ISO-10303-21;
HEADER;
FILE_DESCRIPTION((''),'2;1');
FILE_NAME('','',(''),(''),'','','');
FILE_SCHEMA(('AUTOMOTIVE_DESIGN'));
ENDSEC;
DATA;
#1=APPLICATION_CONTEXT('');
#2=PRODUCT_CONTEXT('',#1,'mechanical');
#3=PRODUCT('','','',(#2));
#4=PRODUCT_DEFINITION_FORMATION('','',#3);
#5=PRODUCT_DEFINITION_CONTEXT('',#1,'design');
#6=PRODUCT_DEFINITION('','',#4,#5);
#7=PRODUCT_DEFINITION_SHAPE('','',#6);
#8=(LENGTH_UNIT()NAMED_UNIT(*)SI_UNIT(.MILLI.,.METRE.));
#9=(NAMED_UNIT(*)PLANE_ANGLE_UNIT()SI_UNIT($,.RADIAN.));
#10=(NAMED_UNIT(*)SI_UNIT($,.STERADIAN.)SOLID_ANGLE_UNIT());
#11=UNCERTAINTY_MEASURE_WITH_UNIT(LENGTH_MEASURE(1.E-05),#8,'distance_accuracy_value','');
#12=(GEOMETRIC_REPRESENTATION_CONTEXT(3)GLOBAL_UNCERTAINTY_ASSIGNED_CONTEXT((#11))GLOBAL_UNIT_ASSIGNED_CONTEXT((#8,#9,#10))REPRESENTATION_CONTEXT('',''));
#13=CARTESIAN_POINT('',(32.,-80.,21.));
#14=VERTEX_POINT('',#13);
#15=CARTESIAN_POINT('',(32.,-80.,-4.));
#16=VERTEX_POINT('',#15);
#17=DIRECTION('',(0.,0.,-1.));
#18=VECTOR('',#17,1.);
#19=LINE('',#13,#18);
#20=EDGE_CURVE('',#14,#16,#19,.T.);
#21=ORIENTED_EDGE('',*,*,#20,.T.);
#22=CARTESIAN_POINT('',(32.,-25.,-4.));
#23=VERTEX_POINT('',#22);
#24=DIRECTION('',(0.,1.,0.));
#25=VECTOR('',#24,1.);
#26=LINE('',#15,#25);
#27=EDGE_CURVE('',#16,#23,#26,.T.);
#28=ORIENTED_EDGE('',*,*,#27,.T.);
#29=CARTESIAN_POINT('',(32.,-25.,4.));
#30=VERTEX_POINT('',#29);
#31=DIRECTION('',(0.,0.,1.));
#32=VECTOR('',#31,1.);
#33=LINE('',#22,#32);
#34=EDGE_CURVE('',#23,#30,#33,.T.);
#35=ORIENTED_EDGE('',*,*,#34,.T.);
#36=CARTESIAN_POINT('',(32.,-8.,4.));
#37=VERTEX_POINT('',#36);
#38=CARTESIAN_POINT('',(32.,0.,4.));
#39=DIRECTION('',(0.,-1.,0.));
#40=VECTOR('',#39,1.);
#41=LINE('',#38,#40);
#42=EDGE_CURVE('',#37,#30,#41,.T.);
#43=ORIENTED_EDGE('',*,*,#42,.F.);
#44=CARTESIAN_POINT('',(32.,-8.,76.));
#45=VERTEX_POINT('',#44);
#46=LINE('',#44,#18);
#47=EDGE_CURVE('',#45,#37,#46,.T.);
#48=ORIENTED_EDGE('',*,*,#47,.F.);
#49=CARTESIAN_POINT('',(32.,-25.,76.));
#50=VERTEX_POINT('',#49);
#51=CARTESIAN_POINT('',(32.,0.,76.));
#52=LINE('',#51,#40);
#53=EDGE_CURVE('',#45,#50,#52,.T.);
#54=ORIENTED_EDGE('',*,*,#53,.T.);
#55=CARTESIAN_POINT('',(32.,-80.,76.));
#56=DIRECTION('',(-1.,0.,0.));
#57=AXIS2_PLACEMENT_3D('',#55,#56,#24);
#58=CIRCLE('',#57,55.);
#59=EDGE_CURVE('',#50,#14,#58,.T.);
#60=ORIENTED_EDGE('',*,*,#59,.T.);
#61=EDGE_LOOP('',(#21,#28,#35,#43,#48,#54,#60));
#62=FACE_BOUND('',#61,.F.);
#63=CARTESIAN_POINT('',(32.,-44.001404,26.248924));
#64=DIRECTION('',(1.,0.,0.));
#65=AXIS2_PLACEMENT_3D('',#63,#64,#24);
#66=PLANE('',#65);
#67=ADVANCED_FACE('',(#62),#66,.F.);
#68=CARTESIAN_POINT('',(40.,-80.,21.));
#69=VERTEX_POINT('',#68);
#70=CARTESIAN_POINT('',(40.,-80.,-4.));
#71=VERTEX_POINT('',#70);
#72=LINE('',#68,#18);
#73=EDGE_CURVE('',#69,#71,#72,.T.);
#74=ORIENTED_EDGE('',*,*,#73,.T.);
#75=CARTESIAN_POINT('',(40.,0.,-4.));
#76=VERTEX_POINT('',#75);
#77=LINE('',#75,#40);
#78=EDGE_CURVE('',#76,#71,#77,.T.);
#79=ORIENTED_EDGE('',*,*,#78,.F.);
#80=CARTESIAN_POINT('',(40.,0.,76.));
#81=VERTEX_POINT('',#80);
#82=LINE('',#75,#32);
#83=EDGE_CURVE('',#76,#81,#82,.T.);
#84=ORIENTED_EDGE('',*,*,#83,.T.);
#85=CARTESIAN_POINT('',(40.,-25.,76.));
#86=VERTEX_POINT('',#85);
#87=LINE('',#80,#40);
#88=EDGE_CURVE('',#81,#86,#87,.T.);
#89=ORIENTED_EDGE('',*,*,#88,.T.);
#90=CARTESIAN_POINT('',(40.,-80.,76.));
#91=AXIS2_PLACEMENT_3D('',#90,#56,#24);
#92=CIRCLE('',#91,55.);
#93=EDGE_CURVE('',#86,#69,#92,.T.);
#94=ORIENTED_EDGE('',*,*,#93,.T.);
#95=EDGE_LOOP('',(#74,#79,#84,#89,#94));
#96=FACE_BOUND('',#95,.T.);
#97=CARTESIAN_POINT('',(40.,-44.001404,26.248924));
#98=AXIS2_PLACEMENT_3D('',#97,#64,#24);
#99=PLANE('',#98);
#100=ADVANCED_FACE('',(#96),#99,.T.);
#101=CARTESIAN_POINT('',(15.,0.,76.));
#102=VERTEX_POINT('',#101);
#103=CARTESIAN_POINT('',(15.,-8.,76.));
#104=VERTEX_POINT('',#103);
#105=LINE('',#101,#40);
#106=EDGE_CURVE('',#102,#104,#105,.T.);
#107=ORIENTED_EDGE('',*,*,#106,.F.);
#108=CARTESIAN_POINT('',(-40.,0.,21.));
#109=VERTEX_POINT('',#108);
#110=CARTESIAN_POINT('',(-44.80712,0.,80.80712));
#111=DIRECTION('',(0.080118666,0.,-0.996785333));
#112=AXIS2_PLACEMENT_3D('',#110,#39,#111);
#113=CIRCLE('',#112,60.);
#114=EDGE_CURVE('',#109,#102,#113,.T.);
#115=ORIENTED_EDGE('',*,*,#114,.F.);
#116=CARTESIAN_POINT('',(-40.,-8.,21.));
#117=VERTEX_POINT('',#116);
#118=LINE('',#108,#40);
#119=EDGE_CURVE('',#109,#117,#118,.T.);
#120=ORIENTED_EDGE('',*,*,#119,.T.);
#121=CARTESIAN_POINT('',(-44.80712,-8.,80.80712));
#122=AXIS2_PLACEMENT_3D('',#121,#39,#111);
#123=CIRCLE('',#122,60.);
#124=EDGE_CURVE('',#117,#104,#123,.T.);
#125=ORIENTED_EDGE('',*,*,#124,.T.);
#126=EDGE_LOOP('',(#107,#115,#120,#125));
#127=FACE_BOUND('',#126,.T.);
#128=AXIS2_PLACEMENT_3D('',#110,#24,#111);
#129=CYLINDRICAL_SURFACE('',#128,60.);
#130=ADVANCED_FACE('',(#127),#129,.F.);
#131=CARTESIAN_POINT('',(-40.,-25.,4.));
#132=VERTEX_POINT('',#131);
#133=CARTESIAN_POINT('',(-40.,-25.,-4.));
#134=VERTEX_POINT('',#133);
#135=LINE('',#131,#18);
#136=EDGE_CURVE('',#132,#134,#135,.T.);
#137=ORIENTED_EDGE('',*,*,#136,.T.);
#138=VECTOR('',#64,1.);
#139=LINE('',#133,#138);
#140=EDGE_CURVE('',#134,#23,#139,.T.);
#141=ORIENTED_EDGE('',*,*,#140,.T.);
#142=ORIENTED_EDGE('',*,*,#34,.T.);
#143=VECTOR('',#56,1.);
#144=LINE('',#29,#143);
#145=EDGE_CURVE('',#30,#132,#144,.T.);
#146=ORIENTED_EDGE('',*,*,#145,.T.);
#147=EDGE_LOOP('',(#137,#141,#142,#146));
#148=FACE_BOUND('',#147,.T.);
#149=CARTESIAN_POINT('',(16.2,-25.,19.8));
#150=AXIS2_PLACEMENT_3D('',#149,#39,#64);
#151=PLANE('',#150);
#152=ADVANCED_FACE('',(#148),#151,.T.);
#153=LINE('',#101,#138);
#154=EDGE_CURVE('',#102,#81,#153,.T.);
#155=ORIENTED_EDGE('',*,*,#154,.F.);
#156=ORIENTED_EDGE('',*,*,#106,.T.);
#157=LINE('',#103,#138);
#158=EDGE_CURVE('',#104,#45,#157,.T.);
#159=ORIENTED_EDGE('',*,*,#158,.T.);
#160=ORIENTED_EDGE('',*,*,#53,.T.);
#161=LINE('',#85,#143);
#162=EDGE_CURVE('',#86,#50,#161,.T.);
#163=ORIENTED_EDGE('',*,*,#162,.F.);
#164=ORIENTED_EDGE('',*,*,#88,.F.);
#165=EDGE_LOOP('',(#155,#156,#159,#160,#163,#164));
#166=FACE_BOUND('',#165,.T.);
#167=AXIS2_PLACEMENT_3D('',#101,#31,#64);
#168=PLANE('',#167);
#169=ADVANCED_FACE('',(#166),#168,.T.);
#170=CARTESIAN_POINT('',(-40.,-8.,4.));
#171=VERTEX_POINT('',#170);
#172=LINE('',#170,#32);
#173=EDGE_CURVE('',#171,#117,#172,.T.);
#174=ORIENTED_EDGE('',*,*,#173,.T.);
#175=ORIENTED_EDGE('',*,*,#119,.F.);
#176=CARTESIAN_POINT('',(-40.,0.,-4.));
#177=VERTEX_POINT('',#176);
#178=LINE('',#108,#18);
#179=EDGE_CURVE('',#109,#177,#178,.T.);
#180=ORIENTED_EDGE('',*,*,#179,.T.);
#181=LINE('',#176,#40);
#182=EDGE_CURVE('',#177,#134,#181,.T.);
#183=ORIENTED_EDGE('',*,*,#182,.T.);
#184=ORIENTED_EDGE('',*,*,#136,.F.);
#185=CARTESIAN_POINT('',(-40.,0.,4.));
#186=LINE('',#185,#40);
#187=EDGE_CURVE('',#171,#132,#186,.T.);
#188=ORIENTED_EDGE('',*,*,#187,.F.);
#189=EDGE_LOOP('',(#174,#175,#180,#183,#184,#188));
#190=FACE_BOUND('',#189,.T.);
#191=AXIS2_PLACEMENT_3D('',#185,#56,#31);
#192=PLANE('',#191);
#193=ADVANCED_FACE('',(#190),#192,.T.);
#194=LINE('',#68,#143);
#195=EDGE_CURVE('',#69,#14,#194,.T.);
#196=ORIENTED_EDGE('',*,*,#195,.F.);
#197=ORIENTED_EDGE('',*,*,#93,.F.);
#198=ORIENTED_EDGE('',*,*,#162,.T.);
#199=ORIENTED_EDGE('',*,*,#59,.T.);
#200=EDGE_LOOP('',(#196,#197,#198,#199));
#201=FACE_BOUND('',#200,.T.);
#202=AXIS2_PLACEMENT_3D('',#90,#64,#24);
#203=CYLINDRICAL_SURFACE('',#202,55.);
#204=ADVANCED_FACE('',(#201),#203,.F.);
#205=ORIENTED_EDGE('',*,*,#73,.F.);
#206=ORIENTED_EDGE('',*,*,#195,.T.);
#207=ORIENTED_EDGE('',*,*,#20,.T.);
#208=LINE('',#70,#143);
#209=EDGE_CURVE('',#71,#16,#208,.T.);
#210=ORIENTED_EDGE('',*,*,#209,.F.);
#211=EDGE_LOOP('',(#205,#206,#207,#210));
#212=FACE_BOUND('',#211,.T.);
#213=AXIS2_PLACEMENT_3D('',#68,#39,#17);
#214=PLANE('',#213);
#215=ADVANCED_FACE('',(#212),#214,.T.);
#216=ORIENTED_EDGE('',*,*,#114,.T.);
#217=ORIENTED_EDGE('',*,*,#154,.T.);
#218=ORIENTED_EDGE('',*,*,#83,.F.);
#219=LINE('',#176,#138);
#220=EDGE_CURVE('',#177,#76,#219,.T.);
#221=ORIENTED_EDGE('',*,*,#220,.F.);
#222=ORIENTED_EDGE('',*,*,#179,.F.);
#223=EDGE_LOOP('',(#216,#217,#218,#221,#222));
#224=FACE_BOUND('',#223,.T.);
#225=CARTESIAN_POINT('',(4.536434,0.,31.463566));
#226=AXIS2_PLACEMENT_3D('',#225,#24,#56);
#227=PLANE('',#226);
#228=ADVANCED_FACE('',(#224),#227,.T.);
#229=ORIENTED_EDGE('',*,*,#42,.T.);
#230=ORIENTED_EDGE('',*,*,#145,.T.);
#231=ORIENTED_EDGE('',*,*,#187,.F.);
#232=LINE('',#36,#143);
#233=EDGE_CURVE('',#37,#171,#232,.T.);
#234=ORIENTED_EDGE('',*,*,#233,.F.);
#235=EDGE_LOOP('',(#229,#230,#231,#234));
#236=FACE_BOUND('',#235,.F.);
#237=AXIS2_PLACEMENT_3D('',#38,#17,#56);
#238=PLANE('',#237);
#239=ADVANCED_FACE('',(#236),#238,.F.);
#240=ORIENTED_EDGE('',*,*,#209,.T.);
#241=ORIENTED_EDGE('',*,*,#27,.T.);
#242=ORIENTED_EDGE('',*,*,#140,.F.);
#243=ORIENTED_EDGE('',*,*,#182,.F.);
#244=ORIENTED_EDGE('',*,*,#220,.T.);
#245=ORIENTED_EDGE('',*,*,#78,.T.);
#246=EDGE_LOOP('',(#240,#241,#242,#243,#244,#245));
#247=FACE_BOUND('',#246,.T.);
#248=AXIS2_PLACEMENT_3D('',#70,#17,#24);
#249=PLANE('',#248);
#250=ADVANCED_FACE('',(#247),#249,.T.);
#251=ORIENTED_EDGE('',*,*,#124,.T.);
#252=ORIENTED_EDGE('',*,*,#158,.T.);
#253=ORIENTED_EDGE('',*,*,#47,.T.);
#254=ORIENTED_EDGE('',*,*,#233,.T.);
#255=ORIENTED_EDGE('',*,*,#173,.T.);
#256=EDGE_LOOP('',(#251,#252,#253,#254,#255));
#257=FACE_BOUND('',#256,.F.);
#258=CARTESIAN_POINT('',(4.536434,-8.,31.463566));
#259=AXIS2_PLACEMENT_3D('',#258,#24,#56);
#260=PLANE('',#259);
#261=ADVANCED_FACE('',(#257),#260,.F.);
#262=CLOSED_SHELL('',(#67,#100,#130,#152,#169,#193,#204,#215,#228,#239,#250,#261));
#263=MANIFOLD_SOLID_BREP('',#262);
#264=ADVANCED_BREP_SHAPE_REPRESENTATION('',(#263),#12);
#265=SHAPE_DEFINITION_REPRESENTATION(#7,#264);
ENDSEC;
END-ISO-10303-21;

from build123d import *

# Parameters (mm, degrees)
F1_DEPTH = 25
F3_DEPTH = 8
F5_DEPTH = 8


with BuildPart() as f1:
    # F0 (on Front) → F1 (new body)
    with BuildSketch(Plane.XZ):
        Polygon((-40, -4), (40, -4), (40, 76), (32, 76), (32, 4), (-40, 4), align=None)
    extrude(amount=F1_DEPTH)

    # F2 (on face) → F3 (join)
    with BuildSketch(Plane(origin=(0, 0, 0), x_dir=(-1, 0, 0), z_dir=(0, 1, 0))):
        with BuildLine():
            Line((-32, 4), (40, 4))
            Line((40, 4), (40, 21))
            ThreePointArc((40, 21), (2.3807130871, 38.3807130871), (-15, 76))
            Line((-15, 76), (-32, 76))
            Line((-32, 76), (-32, 4))
        make_face()
    extrude(amount=-F3_DEPTH)

    # F4 (on face) → F5 (join)
    with BuildSketch(Plane.YZ.offset(40)):
        with BuildLine():
            Line((-80, -4), (-25, -4))
            Line((-25, -4), (-25, 76))
            ThreePointArc((-25, 76), (-41.1091270347, 37.1091270347), (-80, 21))
            Line((-80, 21), (-80, -4))
        make_face()
    extrude(amount=-F5_DEPTH)


solid = f1.part
